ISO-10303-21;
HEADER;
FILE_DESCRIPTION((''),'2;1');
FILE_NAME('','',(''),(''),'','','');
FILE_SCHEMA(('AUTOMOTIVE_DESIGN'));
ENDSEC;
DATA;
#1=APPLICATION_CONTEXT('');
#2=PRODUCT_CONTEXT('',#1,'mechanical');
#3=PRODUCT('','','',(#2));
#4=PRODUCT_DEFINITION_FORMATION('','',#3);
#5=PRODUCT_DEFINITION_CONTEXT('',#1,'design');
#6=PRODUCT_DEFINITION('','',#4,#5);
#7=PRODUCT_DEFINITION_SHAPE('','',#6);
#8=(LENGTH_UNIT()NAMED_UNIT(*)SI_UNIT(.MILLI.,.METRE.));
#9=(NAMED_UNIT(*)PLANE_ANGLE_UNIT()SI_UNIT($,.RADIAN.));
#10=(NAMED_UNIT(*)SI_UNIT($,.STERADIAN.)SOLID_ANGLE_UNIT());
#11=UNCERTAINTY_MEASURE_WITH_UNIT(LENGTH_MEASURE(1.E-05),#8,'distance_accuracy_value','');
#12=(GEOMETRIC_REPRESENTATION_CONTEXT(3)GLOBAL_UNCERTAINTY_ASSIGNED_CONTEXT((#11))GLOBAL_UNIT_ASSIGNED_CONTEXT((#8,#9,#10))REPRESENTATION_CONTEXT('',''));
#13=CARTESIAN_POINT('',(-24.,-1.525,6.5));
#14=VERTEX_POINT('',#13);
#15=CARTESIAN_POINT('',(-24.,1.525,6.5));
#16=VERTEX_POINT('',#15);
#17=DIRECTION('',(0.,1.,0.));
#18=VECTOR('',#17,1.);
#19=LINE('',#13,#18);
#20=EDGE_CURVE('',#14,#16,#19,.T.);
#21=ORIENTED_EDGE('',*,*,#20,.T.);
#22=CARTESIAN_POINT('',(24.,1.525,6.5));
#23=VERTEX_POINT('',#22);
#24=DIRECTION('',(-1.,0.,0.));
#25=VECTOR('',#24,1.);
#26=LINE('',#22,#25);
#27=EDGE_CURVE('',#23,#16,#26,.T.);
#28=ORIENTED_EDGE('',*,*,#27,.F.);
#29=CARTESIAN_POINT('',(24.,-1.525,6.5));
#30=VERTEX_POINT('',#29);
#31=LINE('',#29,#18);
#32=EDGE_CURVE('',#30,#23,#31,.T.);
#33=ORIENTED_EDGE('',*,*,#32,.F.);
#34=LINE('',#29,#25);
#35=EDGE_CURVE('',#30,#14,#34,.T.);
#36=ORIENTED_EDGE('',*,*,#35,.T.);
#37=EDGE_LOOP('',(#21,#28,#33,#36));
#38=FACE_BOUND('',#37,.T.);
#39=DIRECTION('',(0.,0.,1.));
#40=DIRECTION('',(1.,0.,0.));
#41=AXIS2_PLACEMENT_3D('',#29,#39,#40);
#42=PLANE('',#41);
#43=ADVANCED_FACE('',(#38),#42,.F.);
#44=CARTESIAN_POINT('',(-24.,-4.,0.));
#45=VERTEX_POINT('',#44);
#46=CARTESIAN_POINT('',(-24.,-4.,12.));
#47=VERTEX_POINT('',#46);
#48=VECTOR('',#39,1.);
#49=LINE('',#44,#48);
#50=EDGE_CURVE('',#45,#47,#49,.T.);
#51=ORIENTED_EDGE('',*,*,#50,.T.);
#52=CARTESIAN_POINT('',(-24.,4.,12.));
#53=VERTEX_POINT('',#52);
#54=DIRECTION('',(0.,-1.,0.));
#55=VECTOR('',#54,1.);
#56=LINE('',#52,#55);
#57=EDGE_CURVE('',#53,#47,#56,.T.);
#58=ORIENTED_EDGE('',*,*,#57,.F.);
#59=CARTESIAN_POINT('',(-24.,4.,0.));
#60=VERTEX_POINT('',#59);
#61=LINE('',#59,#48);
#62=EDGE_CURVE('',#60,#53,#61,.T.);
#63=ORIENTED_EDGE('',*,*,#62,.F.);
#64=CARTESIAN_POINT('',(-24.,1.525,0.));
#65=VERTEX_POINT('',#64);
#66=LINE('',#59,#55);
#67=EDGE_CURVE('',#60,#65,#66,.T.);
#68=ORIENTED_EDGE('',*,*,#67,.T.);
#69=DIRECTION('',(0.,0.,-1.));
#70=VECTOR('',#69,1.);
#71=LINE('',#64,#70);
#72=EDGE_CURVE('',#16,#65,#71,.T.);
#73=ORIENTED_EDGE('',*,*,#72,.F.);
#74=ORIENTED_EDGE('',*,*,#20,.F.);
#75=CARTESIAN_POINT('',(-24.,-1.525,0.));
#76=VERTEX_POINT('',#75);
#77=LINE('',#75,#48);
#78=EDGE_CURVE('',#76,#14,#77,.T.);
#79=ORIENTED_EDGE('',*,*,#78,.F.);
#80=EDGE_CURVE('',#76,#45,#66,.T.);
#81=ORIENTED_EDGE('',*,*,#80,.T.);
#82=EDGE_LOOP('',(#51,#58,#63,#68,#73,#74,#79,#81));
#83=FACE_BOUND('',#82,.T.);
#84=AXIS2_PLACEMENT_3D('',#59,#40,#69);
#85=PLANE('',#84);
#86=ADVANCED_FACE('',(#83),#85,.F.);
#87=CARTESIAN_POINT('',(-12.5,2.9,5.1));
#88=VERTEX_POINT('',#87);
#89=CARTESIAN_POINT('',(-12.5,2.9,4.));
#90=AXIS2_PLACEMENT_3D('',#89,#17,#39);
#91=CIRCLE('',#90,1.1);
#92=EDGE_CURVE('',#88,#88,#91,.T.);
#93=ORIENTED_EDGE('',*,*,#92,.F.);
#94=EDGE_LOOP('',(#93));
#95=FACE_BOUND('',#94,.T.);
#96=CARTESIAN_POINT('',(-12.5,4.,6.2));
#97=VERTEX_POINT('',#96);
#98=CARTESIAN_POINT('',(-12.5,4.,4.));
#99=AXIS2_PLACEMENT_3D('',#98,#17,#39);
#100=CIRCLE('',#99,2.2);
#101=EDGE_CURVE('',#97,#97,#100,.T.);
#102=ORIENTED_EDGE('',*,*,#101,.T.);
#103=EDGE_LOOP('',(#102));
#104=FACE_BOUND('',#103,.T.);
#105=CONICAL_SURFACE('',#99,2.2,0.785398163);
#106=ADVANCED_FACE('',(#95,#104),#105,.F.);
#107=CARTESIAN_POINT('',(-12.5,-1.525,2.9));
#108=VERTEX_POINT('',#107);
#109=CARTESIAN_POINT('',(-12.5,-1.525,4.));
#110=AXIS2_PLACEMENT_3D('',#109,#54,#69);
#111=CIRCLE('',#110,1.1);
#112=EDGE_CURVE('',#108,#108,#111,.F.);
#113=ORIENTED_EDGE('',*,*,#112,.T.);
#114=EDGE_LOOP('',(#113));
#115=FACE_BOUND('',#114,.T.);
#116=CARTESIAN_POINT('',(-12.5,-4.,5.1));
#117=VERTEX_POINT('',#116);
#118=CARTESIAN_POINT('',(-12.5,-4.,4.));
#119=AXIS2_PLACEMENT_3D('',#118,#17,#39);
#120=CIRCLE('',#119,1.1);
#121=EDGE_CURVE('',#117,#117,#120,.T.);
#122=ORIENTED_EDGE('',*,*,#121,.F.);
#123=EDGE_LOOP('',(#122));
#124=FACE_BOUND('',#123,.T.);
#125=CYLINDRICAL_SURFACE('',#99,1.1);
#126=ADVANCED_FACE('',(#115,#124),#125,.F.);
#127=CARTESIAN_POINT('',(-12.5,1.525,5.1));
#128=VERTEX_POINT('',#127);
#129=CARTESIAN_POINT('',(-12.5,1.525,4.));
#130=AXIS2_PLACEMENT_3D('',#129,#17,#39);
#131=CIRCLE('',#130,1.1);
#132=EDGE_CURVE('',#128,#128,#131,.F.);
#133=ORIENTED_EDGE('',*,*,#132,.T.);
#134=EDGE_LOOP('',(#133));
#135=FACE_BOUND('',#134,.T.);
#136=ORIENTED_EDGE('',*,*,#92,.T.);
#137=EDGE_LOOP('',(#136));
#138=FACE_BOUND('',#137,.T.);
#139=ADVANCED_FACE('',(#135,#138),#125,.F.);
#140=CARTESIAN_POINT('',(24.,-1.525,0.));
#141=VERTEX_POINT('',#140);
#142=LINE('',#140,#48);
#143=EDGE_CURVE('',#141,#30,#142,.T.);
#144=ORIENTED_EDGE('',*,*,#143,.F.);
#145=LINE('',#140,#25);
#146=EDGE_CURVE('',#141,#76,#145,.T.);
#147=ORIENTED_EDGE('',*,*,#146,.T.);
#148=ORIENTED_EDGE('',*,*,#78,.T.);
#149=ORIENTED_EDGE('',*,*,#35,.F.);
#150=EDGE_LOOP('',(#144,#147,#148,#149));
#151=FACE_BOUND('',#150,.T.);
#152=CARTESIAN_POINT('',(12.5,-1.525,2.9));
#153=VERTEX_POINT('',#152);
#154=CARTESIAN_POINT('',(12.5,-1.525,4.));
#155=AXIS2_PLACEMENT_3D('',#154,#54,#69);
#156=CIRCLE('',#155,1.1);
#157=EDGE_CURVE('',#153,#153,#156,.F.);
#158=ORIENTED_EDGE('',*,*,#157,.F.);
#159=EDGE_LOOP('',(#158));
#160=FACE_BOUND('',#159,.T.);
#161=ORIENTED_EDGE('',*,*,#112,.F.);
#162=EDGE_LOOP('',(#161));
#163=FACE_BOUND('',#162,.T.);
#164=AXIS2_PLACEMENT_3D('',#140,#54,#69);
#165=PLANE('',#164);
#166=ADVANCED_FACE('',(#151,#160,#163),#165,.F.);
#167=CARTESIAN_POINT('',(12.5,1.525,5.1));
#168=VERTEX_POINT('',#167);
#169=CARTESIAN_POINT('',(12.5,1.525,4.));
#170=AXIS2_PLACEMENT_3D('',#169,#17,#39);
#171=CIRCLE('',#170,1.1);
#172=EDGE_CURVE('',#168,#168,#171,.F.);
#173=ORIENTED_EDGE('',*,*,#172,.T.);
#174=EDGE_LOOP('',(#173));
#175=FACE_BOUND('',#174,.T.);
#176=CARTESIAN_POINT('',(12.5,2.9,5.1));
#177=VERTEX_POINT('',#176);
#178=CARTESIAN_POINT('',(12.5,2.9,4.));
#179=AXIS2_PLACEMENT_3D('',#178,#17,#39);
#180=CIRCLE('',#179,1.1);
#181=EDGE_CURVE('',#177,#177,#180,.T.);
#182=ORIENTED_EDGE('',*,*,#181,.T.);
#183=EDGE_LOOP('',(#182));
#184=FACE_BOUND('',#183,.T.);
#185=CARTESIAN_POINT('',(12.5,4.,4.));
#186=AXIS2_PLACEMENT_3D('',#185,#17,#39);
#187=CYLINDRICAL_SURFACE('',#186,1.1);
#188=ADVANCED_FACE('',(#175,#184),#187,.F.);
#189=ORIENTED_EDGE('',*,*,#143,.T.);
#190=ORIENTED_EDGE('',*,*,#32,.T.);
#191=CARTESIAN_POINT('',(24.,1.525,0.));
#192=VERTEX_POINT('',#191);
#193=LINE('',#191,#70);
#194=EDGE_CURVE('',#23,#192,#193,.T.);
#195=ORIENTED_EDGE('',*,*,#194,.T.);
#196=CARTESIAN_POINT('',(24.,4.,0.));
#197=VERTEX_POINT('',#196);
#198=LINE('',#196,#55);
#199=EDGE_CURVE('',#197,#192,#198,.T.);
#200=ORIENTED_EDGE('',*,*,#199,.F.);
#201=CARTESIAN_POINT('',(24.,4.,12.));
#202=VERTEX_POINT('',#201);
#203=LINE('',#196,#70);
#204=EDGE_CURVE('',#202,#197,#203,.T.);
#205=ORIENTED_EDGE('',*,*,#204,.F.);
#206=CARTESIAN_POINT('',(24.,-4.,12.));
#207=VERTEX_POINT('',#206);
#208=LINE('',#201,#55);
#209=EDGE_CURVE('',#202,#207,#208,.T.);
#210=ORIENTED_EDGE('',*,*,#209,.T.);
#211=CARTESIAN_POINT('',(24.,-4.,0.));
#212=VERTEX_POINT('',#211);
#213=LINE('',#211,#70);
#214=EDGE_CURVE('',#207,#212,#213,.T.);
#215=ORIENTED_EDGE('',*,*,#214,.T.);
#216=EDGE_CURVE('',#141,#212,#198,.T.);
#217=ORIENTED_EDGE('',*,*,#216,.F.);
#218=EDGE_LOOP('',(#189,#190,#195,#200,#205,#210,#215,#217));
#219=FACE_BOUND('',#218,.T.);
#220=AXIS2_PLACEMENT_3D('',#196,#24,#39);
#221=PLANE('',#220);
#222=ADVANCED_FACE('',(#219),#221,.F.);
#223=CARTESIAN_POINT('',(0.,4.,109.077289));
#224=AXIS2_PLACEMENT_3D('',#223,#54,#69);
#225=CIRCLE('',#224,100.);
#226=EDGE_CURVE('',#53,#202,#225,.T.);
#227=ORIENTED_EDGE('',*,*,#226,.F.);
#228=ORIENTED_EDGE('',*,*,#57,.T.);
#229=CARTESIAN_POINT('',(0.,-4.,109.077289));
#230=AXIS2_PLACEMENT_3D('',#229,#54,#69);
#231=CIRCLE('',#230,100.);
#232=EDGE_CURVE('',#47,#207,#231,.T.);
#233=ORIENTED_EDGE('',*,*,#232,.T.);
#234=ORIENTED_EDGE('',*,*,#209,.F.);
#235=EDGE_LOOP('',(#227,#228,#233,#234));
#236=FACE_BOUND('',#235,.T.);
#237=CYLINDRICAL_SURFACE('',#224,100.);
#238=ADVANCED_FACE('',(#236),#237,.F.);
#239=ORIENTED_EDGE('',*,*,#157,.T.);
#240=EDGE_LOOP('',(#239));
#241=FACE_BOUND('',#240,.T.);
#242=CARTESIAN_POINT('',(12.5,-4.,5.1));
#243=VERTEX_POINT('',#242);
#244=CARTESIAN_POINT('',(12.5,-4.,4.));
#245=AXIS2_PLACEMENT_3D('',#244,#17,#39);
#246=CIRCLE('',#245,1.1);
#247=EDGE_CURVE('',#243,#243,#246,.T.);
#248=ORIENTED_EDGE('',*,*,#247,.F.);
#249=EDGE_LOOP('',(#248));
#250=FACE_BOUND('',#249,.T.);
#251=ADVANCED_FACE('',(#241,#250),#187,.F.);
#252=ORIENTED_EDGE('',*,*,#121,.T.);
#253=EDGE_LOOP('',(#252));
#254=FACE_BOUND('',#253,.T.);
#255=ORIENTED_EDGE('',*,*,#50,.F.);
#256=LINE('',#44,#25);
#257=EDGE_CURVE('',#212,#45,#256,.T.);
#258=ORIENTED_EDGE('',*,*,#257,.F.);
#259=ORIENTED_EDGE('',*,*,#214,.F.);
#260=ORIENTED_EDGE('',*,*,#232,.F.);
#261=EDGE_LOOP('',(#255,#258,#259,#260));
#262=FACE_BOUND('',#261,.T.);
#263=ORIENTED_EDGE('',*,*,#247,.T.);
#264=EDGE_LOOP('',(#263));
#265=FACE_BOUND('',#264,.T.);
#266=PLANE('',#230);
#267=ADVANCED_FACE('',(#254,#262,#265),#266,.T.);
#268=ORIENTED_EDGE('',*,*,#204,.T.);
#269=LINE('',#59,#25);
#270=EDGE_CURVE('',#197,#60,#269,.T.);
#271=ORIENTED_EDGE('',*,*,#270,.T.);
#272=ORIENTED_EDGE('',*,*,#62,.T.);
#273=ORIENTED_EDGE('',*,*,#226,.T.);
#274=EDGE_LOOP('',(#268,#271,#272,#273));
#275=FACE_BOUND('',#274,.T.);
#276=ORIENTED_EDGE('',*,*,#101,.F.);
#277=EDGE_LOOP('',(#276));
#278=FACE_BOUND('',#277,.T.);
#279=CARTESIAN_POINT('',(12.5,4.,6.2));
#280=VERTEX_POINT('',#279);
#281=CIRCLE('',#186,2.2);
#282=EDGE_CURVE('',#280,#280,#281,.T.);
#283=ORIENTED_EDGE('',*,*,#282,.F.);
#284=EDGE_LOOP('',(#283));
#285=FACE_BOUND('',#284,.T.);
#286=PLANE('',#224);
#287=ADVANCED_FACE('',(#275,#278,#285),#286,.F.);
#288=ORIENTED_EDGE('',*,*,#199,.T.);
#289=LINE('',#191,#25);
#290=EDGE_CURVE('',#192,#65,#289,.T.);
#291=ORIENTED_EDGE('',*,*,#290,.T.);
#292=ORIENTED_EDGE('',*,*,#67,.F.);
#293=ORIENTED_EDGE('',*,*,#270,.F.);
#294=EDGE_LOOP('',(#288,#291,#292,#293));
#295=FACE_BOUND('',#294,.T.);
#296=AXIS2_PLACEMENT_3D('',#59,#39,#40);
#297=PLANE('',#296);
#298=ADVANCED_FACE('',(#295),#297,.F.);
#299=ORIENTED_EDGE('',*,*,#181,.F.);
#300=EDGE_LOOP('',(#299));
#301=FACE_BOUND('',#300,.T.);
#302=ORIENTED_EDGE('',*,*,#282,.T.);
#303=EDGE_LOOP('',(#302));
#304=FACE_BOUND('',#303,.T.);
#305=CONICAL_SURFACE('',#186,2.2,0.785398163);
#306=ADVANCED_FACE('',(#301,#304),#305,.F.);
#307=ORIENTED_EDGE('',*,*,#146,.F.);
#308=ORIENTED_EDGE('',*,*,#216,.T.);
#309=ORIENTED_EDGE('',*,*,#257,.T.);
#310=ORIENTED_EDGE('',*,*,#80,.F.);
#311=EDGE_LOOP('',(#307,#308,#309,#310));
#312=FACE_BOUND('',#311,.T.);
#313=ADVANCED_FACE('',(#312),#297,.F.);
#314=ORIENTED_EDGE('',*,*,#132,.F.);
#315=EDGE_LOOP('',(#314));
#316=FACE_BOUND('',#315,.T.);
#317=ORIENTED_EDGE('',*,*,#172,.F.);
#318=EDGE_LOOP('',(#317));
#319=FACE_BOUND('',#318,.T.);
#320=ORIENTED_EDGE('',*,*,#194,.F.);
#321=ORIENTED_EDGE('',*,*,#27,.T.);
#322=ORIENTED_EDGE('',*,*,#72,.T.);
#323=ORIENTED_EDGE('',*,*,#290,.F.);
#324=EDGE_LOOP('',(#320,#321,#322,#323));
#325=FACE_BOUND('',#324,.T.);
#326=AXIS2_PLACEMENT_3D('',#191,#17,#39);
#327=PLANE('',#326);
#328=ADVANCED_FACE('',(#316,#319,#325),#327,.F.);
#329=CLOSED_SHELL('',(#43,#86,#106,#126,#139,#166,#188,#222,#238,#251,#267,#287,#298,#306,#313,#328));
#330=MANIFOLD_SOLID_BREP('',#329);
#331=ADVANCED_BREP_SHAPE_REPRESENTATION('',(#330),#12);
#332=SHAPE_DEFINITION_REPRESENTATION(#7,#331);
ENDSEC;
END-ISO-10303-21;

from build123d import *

# Parameters (mm, degrees)
BOSS_EXTRUDE1_DEPTH                             = 4
CSK_FOR_M2_FLAT_HEAD_MACHINE_SCREW1_D           = 2.2
CSK_FOR_M2_FLAT_HEAD_MACHINE_SCREW1_CSINK_D     = 4.4
CSK_FOR_M2_FLAT_HEAD_MACHINE_SCREW1_CSINK_ANGLE = 90
SKETCH9_W                                       = 6.5
SKETCH9_H                                       = 3.05
CUT_EXTRUDE2_DEPTH                              = 50.638694584


with BuildPart() as part:
    # Sketch1 → Boss-Extrude1 (new, symmetric)
    with BuildSketch(Plane(origin=(0, 0, 0), x_dir=(1, 0, 0), z_dir=(0, 1, 0))):
        with BuildLine():
            Line((-24, 0), (24, 0))
            Line((24, 0), (24, -12))
            ThreePointArc((24, -12), (0, -9.077288796), (-24, -12))
            Line((-24, -12), (-24, 0))
        make_face()
    extrude(amount=BOSS_EXTRUDE1_DEPTH, both=True)

    # CSK for M2 Flat Head Machine Screw1 (through all)
    with Locations(Plane(origin=(0, 4, 0), x_dir=(1, 0, 0), z_dir=(0, 1, 0))):
        with Locations((12.5, -4), (-12.5, -4)):
            CounterSinkHole(CSK_FOR_M2_FLAT_HEAD_MACHINE_SCREW1_D / 2, CSK_FOR_M2_FLAT_HEAD_MACHINE_SCREW1_CSINK_D / 2, counter_sink_angle=CSK_FOR_M2_FLAT_HEAD_MACHINE_SCREW1_CSINK_ANGLE)

    # Sketch9 → Cut-Extrude2 (cut, through all)
    with BuildSketch(Plane.ZY.offset(24)):
        with Locations((3.25, 0)):
            Rectangle(SKETCH9_W, SKETCH9_H)
    extrude(amount=-CUT_EXTRUDE2_DEPTH, mode=Mode.SUBTRACT)


solid = part.part
